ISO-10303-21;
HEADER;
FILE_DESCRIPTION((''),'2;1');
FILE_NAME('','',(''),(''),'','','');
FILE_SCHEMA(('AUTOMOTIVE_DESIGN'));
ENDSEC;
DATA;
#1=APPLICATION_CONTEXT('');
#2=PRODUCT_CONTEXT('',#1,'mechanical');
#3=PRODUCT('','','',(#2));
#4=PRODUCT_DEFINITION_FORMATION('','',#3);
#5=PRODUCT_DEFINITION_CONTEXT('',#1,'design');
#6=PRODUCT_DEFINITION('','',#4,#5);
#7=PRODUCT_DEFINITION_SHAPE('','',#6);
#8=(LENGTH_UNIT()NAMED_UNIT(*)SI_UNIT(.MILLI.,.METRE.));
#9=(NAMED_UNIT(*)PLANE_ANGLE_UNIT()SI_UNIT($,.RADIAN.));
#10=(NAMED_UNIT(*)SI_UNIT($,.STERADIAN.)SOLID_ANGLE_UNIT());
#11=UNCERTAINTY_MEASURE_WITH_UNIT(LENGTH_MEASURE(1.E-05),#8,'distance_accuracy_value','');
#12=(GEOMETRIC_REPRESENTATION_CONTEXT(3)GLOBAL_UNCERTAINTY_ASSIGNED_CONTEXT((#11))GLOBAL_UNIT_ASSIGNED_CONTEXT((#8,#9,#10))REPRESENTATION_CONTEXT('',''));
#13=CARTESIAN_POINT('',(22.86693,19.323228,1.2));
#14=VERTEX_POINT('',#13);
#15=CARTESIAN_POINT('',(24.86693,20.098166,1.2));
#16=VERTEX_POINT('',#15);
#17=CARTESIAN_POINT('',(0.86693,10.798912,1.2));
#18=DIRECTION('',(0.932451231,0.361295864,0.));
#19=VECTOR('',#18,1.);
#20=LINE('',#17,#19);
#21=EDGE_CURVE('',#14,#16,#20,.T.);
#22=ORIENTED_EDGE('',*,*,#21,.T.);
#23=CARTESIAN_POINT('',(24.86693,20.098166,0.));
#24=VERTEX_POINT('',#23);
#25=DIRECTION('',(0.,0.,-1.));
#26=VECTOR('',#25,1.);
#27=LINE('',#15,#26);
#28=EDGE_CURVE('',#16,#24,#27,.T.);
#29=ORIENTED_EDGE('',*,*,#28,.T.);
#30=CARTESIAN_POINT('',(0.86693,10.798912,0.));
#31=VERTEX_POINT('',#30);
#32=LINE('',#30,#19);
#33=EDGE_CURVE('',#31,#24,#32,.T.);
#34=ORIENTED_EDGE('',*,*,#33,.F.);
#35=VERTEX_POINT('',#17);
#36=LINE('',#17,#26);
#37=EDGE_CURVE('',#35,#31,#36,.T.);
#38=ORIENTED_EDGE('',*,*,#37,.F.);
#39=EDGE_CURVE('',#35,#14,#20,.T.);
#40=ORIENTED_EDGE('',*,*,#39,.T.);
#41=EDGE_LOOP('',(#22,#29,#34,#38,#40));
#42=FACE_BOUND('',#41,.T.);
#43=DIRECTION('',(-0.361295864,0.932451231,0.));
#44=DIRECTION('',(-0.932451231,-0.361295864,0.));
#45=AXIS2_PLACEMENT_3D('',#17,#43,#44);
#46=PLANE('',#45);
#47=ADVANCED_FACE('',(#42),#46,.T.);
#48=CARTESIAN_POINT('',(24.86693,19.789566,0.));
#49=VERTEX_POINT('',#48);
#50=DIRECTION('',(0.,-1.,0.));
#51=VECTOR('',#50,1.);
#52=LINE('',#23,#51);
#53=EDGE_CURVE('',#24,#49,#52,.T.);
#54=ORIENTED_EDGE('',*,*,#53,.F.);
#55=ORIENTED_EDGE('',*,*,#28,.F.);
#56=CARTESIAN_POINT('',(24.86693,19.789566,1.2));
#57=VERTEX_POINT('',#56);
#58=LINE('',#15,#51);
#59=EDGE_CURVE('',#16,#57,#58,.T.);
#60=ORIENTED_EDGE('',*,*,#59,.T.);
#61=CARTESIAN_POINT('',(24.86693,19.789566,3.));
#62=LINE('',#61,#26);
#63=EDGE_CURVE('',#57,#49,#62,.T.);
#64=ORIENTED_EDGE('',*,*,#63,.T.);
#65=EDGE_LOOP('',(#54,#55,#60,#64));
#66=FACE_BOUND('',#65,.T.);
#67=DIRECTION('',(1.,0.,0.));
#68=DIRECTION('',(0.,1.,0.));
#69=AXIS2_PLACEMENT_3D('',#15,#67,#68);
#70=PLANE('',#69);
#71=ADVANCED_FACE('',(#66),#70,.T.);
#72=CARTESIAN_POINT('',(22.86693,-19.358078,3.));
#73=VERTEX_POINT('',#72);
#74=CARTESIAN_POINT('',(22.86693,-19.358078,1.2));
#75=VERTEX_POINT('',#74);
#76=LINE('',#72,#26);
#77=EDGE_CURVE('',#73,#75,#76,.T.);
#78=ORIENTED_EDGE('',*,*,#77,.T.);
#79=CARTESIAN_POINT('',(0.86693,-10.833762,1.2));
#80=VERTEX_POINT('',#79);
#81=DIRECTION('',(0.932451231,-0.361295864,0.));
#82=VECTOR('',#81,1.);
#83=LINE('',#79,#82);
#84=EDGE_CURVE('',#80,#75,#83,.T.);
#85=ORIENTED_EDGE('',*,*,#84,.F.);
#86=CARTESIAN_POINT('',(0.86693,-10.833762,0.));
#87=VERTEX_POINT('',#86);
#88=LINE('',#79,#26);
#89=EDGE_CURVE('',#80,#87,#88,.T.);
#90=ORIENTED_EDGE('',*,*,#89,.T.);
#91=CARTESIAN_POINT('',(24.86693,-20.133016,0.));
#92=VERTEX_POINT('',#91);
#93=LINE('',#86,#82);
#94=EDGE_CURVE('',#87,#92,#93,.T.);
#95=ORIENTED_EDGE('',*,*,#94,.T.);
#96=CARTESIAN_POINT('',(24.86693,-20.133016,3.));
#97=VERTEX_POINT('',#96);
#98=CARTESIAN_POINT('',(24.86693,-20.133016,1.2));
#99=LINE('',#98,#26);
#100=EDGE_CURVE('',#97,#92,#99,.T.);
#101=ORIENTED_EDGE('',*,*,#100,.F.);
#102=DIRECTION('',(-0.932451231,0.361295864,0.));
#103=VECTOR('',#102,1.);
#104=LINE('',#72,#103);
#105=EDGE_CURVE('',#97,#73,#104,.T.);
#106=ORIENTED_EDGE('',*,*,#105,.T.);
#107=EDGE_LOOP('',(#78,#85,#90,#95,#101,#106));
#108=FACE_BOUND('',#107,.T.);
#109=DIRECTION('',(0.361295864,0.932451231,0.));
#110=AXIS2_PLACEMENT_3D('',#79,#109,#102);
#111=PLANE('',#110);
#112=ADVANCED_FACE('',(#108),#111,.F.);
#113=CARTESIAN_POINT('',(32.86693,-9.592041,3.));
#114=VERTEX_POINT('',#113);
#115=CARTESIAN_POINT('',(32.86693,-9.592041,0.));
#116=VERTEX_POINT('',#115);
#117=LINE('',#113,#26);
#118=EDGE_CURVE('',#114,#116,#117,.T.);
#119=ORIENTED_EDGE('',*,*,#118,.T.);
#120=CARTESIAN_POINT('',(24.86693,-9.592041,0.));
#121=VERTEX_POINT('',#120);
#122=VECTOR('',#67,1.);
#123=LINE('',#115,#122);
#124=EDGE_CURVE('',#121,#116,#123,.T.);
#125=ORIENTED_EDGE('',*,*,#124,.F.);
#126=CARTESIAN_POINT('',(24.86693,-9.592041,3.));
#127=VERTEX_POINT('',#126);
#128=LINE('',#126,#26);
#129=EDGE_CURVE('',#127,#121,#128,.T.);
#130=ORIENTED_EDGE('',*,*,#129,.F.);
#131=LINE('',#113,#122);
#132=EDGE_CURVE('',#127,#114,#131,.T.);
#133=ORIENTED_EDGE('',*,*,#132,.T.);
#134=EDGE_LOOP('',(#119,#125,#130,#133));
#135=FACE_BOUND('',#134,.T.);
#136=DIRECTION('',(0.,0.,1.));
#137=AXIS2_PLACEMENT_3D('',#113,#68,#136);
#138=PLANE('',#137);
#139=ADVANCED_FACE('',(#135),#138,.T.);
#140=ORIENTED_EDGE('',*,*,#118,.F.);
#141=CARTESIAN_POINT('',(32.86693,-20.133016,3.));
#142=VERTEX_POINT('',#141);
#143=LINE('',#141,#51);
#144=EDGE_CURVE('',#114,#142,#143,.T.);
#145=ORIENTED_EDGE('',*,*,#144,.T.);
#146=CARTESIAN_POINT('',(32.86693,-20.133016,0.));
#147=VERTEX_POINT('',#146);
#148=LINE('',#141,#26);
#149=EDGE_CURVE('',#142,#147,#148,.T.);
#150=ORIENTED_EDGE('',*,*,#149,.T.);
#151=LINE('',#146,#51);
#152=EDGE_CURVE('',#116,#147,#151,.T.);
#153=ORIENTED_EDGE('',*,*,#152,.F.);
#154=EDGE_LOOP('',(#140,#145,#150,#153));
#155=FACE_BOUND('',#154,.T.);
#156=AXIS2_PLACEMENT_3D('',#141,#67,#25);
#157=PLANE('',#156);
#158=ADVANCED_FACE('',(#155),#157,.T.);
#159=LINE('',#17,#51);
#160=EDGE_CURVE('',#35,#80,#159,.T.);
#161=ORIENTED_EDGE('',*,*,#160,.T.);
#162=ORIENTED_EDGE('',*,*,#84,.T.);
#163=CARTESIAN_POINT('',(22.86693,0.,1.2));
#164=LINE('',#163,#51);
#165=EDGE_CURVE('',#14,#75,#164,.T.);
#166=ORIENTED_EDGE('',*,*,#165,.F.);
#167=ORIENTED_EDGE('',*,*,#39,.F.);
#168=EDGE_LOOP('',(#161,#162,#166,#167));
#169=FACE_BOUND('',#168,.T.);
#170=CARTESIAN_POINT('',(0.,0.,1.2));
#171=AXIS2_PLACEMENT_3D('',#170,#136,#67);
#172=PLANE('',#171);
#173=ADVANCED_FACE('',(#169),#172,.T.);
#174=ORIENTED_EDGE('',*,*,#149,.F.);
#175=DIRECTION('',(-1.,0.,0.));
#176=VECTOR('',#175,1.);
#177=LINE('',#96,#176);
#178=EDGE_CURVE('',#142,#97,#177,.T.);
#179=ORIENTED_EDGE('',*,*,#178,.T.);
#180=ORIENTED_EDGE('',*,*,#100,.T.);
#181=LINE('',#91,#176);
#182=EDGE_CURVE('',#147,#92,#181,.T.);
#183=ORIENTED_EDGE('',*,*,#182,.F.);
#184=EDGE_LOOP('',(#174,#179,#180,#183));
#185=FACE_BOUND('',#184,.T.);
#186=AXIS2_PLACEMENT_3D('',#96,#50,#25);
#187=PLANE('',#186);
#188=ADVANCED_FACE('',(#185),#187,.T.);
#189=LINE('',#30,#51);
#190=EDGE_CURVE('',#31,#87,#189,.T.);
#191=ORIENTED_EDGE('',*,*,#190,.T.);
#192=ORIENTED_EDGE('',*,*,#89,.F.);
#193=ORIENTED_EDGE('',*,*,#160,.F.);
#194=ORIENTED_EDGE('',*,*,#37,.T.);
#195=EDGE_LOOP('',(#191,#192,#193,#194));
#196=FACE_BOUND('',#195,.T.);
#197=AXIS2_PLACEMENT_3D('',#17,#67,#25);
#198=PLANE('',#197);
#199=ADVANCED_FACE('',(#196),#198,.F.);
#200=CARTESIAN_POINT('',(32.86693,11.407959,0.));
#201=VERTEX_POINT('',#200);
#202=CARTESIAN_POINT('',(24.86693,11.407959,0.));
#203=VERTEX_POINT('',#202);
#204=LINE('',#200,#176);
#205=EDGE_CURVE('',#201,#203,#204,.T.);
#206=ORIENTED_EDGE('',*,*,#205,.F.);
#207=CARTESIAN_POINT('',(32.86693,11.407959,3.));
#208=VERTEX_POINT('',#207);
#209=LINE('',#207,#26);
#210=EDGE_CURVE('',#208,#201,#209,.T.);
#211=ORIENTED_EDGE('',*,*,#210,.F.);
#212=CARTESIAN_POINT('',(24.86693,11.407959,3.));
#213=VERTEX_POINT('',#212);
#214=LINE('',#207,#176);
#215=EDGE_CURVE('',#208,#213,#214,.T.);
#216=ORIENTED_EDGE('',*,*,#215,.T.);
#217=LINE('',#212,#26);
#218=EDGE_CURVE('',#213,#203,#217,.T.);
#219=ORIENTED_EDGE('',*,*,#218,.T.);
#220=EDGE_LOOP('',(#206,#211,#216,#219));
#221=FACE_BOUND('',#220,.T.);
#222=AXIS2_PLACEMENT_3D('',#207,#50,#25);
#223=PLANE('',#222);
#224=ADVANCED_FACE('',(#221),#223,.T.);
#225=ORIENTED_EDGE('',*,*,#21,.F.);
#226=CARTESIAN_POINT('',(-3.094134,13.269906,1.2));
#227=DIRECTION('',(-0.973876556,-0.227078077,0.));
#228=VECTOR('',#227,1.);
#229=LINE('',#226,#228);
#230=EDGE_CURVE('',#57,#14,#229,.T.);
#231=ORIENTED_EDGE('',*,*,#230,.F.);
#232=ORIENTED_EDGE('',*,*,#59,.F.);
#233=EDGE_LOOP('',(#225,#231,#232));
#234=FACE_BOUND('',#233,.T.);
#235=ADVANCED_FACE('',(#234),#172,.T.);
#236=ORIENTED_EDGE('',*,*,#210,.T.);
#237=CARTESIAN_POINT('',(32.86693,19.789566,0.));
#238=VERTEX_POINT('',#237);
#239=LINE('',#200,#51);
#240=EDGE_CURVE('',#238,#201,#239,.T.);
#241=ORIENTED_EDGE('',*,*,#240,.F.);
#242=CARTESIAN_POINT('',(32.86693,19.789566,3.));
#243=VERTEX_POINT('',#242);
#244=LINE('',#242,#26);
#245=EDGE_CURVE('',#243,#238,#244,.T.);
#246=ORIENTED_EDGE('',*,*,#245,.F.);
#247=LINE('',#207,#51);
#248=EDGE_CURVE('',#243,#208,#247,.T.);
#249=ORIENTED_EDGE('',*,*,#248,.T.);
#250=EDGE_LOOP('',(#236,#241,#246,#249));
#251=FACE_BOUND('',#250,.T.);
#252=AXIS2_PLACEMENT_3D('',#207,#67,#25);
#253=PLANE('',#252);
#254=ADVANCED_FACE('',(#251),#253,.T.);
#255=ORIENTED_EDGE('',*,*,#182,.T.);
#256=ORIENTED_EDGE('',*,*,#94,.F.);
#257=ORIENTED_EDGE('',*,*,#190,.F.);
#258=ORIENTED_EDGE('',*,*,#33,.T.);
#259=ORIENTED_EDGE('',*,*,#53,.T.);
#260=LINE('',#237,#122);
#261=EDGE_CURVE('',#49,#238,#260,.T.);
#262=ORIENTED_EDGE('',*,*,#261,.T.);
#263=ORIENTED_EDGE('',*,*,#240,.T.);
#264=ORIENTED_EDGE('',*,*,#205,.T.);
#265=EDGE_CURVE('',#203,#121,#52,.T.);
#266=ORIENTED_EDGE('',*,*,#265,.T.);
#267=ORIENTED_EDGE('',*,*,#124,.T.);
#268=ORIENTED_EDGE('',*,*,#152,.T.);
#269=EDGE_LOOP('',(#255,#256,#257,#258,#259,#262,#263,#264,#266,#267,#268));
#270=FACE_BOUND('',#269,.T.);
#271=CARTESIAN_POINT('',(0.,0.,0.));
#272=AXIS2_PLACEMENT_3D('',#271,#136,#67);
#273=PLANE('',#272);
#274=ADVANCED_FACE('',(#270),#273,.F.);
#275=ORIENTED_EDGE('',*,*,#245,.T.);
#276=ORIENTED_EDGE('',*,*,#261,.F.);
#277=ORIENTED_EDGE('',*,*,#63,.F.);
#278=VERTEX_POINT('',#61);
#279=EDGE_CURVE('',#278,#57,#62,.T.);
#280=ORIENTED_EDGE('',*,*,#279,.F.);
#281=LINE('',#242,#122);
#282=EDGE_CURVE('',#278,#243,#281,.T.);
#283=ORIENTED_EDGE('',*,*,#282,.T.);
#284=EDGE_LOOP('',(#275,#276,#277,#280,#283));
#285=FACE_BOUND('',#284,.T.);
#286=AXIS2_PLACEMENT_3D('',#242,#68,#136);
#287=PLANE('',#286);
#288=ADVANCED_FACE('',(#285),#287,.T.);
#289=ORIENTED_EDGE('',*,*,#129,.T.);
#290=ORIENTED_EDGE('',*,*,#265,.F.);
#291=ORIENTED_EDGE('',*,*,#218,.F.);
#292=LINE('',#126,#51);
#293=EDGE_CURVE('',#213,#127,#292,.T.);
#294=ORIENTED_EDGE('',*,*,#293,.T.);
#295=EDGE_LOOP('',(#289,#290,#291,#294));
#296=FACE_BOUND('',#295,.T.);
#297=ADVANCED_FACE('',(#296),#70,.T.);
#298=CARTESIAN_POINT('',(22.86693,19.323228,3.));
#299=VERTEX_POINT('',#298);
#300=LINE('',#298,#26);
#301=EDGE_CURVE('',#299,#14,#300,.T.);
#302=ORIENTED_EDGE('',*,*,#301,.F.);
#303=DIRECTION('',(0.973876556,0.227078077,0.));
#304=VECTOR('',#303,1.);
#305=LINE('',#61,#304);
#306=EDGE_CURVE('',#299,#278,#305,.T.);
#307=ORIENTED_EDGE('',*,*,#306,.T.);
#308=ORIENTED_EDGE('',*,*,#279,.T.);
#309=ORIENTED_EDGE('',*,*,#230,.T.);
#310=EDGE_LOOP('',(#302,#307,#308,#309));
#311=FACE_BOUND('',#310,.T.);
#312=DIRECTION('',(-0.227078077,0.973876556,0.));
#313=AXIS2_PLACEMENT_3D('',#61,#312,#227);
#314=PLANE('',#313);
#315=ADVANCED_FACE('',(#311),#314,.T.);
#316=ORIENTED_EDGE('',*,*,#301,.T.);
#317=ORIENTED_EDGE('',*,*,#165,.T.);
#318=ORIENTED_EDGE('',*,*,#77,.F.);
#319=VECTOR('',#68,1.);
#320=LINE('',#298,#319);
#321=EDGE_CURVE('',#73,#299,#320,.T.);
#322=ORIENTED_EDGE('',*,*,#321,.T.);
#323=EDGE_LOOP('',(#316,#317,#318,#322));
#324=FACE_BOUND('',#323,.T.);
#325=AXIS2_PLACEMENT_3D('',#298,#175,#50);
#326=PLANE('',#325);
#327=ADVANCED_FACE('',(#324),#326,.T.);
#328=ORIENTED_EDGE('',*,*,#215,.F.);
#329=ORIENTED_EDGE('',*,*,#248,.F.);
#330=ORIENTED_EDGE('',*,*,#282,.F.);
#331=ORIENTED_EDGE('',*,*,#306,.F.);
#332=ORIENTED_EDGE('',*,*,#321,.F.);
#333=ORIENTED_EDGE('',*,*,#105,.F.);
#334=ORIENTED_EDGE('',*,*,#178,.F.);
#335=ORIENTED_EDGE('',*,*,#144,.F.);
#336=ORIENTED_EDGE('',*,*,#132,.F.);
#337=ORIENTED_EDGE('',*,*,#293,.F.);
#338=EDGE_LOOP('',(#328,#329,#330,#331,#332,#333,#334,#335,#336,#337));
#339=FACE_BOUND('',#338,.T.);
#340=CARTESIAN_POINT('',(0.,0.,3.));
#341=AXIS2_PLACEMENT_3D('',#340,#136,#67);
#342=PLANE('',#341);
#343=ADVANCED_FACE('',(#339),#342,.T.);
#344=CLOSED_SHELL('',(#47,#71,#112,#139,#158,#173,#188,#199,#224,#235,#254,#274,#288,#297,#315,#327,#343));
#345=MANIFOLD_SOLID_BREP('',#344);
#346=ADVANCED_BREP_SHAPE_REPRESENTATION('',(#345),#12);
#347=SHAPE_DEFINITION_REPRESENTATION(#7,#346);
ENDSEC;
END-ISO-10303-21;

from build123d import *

# Parameters (mm, degrees)
BOSS_EXTRUDE1_DEPTH = 1.2
BOSS_EXTRUDE2_DEPTH = 3


with BuildPart() as part:
    # Sketch1 → Boss-Extrude1 (new body)
    with BuildSketch(Plane.XY):
        Polygon((0.866929529, 10.79891165), (24.866929529, 20.098165538), (24.866929529, -20.133015932), (0.866929529, -10.833762045), align=None)
    extrude(amount=BOSS_EXTRUDE1_DEPTH)

    # Sketch2 → Boss-Extrude2 (add)
    with BuildSketch(Plane(origin=(0, 0, 0), x_dir=(-1, 0, 0), z_dir=(0, 0, -1))):
        Polygon((-24.866929529, 19.789566237), (-22.866929529, 19.323227714), (-22.866929529, -19.358078108), (-24.866929529, -20.133015932), (-32.866929529, -20.133015932), (-32.866929529, -9.592041142), (-24.866929529, -9.592041142), (-24.866929529, 11.407958858), (-32.866929529, 11.407958858), (-32.866929529, 19.789566237), align=None)
    extrude(amount=-BOSS_EXTRUDE2_DEPTH)


solid = part.part
